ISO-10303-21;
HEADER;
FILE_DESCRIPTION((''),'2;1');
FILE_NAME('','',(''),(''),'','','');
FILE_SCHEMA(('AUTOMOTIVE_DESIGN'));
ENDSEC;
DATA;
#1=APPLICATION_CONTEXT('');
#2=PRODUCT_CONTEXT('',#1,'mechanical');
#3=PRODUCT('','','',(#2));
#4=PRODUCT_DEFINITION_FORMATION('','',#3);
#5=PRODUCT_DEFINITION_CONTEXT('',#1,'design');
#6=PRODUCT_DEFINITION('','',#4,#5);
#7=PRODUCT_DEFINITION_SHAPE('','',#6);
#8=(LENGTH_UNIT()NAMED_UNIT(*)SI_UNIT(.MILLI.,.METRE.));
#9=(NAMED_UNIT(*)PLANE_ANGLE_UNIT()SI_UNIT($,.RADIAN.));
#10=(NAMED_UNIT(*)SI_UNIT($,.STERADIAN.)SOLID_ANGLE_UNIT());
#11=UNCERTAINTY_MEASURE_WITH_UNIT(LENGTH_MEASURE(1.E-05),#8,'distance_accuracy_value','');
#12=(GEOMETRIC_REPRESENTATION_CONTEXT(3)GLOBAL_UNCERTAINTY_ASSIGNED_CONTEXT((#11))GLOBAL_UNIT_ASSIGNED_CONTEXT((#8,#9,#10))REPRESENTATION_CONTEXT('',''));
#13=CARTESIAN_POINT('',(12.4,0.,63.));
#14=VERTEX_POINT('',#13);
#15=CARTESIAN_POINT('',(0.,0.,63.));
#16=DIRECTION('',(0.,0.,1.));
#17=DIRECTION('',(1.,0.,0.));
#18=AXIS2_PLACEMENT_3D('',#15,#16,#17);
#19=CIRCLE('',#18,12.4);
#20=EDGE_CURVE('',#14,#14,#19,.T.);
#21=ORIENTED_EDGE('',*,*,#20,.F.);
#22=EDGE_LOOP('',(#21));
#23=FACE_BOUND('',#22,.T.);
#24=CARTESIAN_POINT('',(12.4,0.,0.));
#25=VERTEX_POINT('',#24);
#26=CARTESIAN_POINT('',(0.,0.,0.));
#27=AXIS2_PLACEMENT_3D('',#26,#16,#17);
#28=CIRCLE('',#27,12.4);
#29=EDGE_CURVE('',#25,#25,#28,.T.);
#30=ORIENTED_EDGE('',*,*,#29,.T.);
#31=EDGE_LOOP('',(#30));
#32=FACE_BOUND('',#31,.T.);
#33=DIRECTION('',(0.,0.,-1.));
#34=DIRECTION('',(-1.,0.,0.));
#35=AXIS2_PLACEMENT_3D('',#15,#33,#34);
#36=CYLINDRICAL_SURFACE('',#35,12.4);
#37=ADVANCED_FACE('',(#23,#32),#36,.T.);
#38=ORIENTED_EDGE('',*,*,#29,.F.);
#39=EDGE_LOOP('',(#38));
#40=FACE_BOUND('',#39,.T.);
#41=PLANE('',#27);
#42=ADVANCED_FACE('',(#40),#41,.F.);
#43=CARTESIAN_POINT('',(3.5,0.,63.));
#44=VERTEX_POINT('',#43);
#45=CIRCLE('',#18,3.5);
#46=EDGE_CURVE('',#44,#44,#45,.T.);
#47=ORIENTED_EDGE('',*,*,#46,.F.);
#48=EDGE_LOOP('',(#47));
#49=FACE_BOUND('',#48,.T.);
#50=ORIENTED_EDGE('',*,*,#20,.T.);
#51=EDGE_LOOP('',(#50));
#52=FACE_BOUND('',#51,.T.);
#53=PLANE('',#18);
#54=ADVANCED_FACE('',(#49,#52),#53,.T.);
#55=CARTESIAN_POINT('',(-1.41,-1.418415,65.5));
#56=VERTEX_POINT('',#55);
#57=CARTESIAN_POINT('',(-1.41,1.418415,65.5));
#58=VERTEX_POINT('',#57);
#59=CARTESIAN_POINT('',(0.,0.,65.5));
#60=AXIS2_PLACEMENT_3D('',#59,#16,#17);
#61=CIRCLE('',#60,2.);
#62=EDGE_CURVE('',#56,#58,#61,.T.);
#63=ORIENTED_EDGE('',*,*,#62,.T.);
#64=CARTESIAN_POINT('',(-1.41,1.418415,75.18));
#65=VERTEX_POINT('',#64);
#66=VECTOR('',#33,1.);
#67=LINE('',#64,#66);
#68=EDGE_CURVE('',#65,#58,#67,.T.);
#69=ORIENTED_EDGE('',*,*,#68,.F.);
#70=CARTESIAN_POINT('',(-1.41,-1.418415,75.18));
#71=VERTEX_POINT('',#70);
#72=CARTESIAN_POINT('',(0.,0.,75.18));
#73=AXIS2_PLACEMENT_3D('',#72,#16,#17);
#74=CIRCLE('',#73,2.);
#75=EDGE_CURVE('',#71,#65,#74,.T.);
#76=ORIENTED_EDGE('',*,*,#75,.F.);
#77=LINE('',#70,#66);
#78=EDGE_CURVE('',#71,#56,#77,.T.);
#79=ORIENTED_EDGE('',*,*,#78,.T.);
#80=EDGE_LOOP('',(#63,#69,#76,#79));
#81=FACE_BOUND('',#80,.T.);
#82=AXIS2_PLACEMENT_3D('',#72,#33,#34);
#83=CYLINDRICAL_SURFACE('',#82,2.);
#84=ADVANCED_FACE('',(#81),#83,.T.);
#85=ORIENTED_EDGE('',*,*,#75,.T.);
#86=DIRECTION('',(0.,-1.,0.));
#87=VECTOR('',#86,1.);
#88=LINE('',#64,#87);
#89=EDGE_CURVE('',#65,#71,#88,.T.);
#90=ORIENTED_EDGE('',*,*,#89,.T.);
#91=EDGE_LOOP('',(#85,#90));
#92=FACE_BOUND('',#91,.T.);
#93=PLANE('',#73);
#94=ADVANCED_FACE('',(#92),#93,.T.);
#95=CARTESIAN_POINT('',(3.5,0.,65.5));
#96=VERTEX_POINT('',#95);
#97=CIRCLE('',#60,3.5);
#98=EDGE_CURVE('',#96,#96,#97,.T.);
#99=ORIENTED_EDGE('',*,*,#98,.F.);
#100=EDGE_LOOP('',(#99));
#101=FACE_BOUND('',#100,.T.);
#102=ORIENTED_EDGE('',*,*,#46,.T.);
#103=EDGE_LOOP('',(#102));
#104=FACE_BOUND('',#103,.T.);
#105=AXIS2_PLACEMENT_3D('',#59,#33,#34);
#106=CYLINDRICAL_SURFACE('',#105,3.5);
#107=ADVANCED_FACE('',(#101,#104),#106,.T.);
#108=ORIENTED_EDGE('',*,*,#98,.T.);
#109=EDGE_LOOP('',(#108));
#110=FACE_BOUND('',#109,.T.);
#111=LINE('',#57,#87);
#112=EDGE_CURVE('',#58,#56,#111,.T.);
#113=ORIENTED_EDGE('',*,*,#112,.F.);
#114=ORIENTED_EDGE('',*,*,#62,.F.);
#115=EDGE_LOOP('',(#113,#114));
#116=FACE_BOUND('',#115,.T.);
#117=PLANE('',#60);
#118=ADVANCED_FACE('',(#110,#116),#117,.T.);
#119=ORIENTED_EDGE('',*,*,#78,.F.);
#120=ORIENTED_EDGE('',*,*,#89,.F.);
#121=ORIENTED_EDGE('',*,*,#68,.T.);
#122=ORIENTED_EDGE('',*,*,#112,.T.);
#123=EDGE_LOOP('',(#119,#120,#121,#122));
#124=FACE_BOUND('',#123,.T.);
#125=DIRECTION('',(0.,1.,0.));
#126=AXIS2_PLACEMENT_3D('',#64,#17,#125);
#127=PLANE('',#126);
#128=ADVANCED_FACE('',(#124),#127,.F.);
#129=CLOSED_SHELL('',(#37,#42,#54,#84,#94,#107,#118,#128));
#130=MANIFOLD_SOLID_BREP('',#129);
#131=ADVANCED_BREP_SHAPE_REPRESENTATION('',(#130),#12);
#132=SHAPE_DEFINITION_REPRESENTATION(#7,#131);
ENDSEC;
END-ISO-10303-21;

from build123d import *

# Parameters (mm, degrees)
SKETCH_1_R      = 12.4
EXTRUDE_1_DEPTH = 63
SKETCH_2_R      = 3.5
EXTRUDE_2_DEPTH = 2.5
EXTRUDE_3_DEPTH = 9.68


with BuildPart() as part:
    # 草图1 → 凸台-拉伸1 (new body)
    with BuildSketch(Plane.XY):
        Circle(SKETCH_1_R)
    extrude(amount=EXTRUDE_1_DEPTH)

    # 草图2 → 凸台-拉伸2 (add)
    with BuildSketch(Plane.XY.offset(63)):
        Circle(SKETCH_2_R)
    extrude(amount=EXTRUDE_2_DEPTH)

    # 草图3 → 凸台-拉伸3 (add)
    with BuildSketch(Plane.XY.offset(65.5)):
        with BuildLine():
            Line((-1.41, 1.418414608), (-1.41, -1.418414608))
            ThreePointArc((-1.41, -1.418414608), (2, 0), (-1.41, 1.418414608))
        make_face()
    extrude(amount=EXTRUDE_3_DEPTH)


solid = part.part
